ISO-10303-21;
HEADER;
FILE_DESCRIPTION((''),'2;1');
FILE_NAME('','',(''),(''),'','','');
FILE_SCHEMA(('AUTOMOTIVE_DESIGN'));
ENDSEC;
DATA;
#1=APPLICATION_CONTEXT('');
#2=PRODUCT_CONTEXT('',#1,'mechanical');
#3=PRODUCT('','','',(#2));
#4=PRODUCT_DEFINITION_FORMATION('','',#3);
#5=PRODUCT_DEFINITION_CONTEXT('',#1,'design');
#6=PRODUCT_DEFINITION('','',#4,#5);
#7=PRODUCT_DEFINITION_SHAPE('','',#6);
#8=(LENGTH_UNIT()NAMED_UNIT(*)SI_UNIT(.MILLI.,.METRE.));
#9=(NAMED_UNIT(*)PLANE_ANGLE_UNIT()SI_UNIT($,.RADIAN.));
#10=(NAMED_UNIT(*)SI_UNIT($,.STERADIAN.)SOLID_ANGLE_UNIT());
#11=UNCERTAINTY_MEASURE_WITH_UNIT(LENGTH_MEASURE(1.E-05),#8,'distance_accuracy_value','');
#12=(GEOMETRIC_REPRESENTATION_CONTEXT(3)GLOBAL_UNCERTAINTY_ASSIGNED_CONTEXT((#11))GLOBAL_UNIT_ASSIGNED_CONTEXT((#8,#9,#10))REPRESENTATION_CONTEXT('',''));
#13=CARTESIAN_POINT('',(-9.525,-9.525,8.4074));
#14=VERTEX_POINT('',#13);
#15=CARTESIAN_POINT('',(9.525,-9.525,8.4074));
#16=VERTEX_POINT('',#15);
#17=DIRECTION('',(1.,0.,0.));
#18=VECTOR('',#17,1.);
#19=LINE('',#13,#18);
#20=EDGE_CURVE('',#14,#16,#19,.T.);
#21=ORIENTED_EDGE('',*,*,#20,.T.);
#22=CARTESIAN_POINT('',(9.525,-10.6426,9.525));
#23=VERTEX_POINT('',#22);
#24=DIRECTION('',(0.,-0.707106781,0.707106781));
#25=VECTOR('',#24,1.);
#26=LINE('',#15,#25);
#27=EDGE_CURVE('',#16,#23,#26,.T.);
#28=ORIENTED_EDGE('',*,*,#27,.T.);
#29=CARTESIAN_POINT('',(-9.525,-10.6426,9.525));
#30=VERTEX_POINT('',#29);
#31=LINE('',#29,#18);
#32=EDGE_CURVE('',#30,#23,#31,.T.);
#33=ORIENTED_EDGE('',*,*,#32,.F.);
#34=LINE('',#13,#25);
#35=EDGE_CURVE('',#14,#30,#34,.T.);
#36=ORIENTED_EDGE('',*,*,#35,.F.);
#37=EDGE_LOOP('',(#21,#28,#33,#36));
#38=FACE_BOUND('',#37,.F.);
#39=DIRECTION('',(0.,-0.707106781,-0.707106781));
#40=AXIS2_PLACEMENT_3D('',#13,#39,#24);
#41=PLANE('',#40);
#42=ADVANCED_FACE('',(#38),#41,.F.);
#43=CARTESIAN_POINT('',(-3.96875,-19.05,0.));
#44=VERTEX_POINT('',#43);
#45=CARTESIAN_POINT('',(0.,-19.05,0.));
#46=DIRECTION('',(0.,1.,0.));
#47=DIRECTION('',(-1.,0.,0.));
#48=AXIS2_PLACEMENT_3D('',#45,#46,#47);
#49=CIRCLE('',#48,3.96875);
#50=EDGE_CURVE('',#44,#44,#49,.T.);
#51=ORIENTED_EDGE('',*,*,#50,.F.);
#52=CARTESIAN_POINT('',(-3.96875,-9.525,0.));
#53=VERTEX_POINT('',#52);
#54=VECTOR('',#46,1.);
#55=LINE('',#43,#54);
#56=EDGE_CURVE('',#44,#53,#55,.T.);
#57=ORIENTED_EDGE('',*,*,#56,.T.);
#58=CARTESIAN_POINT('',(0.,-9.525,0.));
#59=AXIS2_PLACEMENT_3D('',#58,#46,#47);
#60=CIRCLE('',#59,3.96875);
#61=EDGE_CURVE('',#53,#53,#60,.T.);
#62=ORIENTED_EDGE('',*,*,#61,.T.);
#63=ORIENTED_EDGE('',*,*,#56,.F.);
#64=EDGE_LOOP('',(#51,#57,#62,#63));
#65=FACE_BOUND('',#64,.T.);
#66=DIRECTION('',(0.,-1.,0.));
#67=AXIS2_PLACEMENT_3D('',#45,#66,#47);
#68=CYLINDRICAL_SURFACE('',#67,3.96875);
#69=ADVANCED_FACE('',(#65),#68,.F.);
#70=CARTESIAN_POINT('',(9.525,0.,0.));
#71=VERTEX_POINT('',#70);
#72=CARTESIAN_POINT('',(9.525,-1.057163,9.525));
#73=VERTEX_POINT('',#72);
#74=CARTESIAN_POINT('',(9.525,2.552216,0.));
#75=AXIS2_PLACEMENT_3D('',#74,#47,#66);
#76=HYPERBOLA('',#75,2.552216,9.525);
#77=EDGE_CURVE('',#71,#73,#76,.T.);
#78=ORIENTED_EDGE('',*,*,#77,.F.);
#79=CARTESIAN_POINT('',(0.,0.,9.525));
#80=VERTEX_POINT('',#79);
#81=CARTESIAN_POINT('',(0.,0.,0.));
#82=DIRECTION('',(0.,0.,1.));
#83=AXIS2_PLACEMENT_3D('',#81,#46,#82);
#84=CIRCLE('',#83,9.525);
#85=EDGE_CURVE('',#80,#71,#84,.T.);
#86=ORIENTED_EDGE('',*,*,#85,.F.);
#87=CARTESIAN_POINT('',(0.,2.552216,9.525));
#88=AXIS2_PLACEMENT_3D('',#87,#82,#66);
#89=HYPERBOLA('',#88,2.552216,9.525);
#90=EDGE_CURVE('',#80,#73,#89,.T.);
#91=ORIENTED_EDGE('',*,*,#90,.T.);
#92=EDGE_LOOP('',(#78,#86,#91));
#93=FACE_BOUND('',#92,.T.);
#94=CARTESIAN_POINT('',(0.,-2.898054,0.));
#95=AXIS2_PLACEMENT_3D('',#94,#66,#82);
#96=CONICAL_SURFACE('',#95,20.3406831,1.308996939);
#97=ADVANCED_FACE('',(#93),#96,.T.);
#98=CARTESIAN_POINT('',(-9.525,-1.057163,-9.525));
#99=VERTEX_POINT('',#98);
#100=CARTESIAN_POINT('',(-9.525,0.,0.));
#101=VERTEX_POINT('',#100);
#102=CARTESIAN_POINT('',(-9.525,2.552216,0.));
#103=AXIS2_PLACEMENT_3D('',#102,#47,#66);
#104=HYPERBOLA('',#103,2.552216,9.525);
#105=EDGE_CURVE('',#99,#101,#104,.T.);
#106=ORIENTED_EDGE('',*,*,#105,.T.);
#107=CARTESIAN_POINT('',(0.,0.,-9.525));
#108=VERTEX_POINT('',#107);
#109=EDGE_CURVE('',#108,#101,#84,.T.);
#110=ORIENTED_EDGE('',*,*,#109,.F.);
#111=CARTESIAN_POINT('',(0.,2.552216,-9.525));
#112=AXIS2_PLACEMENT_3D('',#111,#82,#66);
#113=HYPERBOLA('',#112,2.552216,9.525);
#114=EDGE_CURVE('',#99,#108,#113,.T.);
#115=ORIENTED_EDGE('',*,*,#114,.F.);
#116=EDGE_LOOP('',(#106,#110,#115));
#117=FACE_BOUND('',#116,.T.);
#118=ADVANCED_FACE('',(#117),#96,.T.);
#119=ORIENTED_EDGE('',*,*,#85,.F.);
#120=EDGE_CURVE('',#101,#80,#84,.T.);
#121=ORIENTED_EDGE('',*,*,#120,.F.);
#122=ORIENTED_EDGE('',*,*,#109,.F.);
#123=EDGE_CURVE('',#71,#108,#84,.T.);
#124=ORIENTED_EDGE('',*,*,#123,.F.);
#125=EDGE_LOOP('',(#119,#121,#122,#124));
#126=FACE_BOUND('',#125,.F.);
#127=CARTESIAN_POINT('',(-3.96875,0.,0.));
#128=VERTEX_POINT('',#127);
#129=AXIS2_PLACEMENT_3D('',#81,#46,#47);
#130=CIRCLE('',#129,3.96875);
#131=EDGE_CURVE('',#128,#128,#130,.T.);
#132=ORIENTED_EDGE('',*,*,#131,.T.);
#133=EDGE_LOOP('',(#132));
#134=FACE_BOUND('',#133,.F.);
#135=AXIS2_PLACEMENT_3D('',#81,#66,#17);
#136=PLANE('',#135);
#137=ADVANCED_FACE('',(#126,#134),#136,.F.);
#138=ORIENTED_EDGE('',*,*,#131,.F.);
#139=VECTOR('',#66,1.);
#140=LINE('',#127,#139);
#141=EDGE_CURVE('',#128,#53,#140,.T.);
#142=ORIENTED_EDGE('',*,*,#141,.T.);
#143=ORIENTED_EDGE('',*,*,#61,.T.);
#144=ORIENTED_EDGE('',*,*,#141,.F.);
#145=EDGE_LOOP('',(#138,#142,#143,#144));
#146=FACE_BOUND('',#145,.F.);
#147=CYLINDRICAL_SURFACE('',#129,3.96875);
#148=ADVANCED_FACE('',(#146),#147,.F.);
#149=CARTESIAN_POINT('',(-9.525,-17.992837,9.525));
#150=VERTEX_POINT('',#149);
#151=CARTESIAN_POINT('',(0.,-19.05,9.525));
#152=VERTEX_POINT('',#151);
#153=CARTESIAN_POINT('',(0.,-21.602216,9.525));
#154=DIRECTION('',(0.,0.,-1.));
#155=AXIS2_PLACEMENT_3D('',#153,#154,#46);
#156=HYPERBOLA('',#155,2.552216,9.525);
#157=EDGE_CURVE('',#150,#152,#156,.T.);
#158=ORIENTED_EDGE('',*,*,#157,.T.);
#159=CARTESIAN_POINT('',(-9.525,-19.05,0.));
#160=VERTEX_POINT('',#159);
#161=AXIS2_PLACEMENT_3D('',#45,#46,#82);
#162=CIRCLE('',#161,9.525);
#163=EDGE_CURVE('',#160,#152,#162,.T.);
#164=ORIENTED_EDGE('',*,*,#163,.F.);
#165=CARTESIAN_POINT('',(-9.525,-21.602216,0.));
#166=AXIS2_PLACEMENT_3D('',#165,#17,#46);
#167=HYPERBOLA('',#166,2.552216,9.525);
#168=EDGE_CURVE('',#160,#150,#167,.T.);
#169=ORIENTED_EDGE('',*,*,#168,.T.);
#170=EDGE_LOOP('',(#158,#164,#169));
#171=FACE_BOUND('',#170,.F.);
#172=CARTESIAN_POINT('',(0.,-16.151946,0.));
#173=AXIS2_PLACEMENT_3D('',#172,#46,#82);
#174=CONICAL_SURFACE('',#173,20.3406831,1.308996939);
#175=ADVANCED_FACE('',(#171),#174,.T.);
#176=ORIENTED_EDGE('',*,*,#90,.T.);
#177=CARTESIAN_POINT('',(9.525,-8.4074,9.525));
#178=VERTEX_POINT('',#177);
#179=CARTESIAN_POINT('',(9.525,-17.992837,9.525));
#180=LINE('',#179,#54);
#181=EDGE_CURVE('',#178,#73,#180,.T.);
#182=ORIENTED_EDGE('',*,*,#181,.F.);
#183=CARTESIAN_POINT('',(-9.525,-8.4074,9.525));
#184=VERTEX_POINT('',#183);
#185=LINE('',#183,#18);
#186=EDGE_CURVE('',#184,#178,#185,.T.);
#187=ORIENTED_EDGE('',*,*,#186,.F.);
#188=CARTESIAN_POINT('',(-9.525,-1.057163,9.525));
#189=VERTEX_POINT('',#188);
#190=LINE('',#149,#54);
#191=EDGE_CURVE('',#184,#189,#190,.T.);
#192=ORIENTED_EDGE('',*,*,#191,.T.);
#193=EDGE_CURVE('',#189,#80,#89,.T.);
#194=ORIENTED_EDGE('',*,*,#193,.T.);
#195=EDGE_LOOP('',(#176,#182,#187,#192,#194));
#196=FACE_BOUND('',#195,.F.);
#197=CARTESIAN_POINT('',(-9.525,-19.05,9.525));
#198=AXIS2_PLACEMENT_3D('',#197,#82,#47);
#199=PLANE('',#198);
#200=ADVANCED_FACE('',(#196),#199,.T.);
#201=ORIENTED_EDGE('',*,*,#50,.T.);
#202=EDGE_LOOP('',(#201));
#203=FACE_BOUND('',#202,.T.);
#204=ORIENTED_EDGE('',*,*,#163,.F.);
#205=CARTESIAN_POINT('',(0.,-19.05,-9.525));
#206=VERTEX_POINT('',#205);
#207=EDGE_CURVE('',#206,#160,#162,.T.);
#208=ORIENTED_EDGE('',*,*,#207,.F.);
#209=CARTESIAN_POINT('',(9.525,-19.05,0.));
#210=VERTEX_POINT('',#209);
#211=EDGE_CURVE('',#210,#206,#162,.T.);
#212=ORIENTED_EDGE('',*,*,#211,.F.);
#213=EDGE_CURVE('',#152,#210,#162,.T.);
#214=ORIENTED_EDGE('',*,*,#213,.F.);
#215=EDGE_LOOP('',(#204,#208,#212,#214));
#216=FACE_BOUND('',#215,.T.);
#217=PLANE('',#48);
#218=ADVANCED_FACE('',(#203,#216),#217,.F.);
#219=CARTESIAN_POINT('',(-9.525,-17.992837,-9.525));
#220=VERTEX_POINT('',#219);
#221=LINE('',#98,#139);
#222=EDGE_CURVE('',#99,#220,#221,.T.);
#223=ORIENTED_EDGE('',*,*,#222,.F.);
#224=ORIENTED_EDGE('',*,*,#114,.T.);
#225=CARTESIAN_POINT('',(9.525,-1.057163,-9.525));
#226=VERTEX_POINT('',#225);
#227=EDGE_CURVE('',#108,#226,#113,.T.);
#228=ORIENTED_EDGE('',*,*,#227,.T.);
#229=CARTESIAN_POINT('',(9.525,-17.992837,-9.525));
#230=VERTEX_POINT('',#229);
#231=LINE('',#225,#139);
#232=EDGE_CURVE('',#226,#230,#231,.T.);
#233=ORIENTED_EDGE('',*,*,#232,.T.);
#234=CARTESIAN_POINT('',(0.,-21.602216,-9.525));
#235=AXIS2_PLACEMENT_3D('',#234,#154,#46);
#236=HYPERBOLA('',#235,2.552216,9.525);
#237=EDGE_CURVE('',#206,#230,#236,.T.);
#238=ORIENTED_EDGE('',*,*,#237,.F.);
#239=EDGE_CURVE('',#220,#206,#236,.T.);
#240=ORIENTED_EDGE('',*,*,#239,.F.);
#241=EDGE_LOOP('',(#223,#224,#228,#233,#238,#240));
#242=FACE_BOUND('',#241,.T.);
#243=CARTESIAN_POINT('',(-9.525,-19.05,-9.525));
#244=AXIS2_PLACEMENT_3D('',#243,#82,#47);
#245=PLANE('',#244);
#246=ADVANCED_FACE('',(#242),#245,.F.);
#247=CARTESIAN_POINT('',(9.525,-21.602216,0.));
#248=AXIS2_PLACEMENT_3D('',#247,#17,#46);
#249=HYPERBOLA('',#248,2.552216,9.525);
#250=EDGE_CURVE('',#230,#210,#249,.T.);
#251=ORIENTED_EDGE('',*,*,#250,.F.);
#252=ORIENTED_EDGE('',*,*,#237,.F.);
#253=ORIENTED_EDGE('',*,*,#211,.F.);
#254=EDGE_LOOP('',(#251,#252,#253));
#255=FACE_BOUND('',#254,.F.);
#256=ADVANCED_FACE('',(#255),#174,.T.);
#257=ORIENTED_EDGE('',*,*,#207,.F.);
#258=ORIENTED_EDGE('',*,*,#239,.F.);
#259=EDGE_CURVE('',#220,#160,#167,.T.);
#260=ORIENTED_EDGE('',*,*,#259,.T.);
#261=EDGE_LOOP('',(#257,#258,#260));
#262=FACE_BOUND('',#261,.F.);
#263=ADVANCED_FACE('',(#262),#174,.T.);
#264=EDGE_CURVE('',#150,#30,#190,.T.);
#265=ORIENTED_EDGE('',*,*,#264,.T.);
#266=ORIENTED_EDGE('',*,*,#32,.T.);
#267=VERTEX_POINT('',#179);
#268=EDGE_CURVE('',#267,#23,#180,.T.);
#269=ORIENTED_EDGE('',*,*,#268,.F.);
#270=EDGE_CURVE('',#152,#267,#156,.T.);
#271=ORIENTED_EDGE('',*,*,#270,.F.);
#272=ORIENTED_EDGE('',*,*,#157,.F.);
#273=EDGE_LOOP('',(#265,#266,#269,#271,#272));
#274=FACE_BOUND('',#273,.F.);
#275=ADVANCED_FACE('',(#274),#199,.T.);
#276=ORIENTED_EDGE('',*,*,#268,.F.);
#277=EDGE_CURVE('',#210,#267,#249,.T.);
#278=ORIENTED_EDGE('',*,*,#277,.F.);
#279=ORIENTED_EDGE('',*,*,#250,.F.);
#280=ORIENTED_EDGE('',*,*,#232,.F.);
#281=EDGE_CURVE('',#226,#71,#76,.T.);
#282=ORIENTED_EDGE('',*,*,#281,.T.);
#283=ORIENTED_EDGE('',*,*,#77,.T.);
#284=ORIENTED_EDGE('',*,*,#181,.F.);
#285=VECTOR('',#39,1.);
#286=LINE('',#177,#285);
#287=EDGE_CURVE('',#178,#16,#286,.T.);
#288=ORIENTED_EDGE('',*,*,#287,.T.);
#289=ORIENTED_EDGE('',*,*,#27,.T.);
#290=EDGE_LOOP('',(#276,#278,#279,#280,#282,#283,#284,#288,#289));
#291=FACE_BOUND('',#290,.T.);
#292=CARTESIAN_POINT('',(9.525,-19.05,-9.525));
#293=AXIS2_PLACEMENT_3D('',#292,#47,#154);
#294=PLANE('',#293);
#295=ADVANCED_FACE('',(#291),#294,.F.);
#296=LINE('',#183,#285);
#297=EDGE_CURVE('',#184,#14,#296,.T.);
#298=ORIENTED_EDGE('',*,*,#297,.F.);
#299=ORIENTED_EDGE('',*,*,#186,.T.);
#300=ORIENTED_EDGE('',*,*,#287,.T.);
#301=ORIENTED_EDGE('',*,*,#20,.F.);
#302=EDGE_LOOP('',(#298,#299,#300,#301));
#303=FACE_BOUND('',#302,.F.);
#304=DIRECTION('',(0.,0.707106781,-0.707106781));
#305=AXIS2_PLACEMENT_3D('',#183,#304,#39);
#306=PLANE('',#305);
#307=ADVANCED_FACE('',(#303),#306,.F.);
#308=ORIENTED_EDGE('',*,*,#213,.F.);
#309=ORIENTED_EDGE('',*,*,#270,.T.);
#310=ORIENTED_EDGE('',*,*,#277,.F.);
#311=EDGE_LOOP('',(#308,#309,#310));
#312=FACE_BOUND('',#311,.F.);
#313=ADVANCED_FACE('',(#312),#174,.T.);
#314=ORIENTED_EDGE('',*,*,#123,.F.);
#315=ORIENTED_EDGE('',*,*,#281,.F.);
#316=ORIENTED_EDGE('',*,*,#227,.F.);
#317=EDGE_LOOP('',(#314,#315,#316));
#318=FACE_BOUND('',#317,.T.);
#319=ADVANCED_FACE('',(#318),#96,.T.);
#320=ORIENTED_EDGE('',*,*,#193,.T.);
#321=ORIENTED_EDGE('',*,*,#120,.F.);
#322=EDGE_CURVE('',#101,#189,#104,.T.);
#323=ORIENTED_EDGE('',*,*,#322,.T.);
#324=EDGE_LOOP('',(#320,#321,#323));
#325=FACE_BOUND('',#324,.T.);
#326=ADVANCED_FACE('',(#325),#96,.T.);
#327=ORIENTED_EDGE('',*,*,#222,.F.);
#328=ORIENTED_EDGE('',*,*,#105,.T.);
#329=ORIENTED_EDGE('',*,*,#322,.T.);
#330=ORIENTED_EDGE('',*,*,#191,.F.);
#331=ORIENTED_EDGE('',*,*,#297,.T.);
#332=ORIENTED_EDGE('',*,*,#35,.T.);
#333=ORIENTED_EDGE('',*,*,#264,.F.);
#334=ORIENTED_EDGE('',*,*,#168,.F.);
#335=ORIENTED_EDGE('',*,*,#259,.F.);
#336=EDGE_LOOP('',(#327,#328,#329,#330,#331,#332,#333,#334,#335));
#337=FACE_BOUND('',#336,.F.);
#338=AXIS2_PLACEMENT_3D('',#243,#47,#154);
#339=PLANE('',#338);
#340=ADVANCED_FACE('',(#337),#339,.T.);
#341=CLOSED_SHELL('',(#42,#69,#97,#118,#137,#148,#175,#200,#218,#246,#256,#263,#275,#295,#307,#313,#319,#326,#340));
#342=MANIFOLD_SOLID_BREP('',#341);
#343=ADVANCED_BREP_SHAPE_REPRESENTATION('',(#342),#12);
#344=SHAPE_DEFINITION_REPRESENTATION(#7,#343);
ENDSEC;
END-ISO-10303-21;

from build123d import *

# Parameters (mm, degrees)
F0_W     = 19.05
F0_H     = 19.05
F1_DEPTH = 9.525
F5_R     = 3.96875
F6_DEPTH = 9.525
F9_DEPTH = 19.05


with BuildPart() as f1:
    # F0 (on Front) → F1 (new body)
    with BuildSketch(Plane.XZ):
        Rectangle(F0_W, F0_H)
    extrude(amount=F1_DEPTH)

    # F3 (on Right) → F4 (revolve, cut)
    with BuildSketch(Plane.YZ):
        Polygon((-2.8980535523, 20.3406831001), (0, 9.525), (0, 20.3406831001), align=None)
    revolve(axis=Axis((0, 0, 0), (0, 1, 0)), mode=Mode.SUBTRACT)

    # F5 (on face) → F6 (cut)
    with BuildSketch(Plane(origin=(0, 0, 0), x_dir=(-1, 0, 0), z_dir=(0, 1, 0))):
        Circle(F5_R)
    extrude(amount=-F6_DEPTH, mode=Mode.SUBTRACT)

    # F7: F1 across face


with BuildPart() as f1_1:
    add(f1.part)
    add(f1.part.mirror(Plane.XZ.offset(9.525)))

    # F8 (on face) → F9 (cut)
    with BuildSketch(Plane(origin=(-9.525, 0, 0), x_dir=(0, -1, 0), z_dir=(-1, 0, 0))):
        Polygon((8.4074, 9.525), (9.525, 8.4074), (10.6426, 9.525), align=None)
    extrude(amount=-F9_DEPTH, mode=Mode.SUBTRACT)


solid = f1_1.part
